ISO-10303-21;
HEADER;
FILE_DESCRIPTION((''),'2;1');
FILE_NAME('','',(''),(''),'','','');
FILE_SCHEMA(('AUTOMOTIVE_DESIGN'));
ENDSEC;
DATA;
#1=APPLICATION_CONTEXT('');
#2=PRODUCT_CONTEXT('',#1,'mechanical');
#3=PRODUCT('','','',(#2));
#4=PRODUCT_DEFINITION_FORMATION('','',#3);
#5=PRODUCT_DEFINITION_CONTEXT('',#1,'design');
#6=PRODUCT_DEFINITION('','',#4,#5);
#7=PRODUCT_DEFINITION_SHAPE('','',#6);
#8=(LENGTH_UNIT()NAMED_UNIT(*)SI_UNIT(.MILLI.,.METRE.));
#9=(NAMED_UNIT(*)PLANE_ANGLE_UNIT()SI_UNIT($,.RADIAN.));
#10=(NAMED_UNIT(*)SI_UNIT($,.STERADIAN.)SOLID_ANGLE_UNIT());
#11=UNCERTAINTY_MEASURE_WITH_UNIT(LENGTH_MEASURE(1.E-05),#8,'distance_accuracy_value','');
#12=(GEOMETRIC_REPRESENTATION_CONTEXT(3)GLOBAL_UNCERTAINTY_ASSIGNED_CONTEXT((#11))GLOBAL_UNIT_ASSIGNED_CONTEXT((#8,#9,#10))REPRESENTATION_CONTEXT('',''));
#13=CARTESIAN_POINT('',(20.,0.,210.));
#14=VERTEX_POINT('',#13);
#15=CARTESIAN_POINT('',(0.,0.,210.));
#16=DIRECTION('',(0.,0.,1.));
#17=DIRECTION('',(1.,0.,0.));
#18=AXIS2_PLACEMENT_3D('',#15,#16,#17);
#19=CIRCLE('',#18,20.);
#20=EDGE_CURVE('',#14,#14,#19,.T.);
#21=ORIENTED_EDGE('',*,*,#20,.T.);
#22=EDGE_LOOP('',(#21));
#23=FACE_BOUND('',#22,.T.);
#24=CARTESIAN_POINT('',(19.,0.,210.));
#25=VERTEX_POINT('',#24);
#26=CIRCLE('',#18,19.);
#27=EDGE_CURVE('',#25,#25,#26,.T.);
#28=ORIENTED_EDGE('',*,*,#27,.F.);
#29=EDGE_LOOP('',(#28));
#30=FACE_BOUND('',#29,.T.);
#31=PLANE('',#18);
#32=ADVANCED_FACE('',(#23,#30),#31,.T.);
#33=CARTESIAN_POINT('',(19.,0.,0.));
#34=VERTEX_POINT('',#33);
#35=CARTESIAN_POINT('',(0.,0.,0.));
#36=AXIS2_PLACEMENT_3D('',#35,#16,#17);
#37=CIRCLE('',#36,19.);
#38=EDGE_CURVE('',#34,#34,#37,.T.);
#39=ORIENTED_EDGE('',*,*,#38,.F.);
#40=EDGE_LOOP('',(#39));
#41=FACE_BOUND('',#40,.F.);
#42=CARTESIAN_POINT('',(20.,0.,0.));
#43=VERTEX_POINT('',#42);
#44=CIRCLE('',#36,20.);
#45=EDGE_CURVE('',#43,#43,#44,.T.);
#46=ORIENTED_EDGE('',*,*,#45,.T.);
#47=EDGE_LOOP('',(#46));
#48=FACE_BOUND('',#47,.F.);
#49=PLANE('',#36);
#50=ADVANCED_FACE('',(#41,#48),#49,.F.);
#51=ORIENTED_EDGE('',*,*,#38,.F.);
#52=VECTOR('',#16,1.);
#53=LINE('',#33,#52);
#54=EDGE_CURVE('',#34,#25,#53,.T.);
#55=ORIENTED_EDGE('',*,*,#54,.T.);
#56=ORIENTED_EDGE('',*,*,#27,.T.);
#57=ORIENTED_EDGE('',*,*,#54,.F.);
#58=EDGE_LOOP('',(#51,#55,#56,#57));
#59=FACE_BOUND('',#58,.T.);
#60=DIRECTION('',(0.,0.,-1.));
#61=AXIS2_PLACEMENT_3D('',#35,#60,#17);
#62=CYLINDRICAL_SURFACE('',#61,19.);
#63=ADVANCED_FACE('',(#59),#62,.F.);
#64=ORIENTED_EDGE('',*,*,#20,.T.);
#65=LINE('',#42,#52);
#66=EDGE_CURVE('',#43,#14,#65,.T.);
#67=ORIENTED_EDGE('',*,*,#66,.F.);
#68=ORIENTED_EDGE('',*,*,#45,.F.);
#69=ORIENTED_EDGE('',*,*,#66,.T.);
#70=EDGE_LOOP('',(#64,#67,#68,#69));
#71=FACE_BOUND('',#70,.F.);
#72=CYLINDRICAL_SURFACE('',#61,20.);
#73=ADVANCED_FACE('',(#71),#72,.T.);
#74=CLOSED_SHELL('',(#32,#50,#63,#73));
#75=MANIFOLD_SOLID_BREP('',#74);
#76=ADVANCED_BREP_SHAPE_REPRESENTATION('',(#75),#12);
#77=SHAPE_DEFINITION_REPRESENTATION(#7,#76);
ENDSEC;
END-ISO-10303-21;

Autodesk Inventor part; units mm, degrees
ref_plane "YZ Plane" through (0, 0, 0) normal (1, 0, 0) x (0, 1, 0)
ref_plane "XZ Plane" through (0, 0, 0) normal (0, 1, 0) x (-1, 0, 0)
ref_plane "XY Plane" through (0, 0, 0) normal (0, 0, 1) x (1, 0, 0)
sketch "スケッチ1" plane through (0, 0, 0) normal (0, 0, 1) x (1, 0, 0)
  circle A0 centre (0, 0) radius 20
  circle A1 centre (0, 0) radius 19
  dimension "d0" = 40
  dimension "d1" = 1
extrude "押し出し1" add sketch "スケッチ1" along normal blind 210
properties part number "Φ40mm_Pipe"
